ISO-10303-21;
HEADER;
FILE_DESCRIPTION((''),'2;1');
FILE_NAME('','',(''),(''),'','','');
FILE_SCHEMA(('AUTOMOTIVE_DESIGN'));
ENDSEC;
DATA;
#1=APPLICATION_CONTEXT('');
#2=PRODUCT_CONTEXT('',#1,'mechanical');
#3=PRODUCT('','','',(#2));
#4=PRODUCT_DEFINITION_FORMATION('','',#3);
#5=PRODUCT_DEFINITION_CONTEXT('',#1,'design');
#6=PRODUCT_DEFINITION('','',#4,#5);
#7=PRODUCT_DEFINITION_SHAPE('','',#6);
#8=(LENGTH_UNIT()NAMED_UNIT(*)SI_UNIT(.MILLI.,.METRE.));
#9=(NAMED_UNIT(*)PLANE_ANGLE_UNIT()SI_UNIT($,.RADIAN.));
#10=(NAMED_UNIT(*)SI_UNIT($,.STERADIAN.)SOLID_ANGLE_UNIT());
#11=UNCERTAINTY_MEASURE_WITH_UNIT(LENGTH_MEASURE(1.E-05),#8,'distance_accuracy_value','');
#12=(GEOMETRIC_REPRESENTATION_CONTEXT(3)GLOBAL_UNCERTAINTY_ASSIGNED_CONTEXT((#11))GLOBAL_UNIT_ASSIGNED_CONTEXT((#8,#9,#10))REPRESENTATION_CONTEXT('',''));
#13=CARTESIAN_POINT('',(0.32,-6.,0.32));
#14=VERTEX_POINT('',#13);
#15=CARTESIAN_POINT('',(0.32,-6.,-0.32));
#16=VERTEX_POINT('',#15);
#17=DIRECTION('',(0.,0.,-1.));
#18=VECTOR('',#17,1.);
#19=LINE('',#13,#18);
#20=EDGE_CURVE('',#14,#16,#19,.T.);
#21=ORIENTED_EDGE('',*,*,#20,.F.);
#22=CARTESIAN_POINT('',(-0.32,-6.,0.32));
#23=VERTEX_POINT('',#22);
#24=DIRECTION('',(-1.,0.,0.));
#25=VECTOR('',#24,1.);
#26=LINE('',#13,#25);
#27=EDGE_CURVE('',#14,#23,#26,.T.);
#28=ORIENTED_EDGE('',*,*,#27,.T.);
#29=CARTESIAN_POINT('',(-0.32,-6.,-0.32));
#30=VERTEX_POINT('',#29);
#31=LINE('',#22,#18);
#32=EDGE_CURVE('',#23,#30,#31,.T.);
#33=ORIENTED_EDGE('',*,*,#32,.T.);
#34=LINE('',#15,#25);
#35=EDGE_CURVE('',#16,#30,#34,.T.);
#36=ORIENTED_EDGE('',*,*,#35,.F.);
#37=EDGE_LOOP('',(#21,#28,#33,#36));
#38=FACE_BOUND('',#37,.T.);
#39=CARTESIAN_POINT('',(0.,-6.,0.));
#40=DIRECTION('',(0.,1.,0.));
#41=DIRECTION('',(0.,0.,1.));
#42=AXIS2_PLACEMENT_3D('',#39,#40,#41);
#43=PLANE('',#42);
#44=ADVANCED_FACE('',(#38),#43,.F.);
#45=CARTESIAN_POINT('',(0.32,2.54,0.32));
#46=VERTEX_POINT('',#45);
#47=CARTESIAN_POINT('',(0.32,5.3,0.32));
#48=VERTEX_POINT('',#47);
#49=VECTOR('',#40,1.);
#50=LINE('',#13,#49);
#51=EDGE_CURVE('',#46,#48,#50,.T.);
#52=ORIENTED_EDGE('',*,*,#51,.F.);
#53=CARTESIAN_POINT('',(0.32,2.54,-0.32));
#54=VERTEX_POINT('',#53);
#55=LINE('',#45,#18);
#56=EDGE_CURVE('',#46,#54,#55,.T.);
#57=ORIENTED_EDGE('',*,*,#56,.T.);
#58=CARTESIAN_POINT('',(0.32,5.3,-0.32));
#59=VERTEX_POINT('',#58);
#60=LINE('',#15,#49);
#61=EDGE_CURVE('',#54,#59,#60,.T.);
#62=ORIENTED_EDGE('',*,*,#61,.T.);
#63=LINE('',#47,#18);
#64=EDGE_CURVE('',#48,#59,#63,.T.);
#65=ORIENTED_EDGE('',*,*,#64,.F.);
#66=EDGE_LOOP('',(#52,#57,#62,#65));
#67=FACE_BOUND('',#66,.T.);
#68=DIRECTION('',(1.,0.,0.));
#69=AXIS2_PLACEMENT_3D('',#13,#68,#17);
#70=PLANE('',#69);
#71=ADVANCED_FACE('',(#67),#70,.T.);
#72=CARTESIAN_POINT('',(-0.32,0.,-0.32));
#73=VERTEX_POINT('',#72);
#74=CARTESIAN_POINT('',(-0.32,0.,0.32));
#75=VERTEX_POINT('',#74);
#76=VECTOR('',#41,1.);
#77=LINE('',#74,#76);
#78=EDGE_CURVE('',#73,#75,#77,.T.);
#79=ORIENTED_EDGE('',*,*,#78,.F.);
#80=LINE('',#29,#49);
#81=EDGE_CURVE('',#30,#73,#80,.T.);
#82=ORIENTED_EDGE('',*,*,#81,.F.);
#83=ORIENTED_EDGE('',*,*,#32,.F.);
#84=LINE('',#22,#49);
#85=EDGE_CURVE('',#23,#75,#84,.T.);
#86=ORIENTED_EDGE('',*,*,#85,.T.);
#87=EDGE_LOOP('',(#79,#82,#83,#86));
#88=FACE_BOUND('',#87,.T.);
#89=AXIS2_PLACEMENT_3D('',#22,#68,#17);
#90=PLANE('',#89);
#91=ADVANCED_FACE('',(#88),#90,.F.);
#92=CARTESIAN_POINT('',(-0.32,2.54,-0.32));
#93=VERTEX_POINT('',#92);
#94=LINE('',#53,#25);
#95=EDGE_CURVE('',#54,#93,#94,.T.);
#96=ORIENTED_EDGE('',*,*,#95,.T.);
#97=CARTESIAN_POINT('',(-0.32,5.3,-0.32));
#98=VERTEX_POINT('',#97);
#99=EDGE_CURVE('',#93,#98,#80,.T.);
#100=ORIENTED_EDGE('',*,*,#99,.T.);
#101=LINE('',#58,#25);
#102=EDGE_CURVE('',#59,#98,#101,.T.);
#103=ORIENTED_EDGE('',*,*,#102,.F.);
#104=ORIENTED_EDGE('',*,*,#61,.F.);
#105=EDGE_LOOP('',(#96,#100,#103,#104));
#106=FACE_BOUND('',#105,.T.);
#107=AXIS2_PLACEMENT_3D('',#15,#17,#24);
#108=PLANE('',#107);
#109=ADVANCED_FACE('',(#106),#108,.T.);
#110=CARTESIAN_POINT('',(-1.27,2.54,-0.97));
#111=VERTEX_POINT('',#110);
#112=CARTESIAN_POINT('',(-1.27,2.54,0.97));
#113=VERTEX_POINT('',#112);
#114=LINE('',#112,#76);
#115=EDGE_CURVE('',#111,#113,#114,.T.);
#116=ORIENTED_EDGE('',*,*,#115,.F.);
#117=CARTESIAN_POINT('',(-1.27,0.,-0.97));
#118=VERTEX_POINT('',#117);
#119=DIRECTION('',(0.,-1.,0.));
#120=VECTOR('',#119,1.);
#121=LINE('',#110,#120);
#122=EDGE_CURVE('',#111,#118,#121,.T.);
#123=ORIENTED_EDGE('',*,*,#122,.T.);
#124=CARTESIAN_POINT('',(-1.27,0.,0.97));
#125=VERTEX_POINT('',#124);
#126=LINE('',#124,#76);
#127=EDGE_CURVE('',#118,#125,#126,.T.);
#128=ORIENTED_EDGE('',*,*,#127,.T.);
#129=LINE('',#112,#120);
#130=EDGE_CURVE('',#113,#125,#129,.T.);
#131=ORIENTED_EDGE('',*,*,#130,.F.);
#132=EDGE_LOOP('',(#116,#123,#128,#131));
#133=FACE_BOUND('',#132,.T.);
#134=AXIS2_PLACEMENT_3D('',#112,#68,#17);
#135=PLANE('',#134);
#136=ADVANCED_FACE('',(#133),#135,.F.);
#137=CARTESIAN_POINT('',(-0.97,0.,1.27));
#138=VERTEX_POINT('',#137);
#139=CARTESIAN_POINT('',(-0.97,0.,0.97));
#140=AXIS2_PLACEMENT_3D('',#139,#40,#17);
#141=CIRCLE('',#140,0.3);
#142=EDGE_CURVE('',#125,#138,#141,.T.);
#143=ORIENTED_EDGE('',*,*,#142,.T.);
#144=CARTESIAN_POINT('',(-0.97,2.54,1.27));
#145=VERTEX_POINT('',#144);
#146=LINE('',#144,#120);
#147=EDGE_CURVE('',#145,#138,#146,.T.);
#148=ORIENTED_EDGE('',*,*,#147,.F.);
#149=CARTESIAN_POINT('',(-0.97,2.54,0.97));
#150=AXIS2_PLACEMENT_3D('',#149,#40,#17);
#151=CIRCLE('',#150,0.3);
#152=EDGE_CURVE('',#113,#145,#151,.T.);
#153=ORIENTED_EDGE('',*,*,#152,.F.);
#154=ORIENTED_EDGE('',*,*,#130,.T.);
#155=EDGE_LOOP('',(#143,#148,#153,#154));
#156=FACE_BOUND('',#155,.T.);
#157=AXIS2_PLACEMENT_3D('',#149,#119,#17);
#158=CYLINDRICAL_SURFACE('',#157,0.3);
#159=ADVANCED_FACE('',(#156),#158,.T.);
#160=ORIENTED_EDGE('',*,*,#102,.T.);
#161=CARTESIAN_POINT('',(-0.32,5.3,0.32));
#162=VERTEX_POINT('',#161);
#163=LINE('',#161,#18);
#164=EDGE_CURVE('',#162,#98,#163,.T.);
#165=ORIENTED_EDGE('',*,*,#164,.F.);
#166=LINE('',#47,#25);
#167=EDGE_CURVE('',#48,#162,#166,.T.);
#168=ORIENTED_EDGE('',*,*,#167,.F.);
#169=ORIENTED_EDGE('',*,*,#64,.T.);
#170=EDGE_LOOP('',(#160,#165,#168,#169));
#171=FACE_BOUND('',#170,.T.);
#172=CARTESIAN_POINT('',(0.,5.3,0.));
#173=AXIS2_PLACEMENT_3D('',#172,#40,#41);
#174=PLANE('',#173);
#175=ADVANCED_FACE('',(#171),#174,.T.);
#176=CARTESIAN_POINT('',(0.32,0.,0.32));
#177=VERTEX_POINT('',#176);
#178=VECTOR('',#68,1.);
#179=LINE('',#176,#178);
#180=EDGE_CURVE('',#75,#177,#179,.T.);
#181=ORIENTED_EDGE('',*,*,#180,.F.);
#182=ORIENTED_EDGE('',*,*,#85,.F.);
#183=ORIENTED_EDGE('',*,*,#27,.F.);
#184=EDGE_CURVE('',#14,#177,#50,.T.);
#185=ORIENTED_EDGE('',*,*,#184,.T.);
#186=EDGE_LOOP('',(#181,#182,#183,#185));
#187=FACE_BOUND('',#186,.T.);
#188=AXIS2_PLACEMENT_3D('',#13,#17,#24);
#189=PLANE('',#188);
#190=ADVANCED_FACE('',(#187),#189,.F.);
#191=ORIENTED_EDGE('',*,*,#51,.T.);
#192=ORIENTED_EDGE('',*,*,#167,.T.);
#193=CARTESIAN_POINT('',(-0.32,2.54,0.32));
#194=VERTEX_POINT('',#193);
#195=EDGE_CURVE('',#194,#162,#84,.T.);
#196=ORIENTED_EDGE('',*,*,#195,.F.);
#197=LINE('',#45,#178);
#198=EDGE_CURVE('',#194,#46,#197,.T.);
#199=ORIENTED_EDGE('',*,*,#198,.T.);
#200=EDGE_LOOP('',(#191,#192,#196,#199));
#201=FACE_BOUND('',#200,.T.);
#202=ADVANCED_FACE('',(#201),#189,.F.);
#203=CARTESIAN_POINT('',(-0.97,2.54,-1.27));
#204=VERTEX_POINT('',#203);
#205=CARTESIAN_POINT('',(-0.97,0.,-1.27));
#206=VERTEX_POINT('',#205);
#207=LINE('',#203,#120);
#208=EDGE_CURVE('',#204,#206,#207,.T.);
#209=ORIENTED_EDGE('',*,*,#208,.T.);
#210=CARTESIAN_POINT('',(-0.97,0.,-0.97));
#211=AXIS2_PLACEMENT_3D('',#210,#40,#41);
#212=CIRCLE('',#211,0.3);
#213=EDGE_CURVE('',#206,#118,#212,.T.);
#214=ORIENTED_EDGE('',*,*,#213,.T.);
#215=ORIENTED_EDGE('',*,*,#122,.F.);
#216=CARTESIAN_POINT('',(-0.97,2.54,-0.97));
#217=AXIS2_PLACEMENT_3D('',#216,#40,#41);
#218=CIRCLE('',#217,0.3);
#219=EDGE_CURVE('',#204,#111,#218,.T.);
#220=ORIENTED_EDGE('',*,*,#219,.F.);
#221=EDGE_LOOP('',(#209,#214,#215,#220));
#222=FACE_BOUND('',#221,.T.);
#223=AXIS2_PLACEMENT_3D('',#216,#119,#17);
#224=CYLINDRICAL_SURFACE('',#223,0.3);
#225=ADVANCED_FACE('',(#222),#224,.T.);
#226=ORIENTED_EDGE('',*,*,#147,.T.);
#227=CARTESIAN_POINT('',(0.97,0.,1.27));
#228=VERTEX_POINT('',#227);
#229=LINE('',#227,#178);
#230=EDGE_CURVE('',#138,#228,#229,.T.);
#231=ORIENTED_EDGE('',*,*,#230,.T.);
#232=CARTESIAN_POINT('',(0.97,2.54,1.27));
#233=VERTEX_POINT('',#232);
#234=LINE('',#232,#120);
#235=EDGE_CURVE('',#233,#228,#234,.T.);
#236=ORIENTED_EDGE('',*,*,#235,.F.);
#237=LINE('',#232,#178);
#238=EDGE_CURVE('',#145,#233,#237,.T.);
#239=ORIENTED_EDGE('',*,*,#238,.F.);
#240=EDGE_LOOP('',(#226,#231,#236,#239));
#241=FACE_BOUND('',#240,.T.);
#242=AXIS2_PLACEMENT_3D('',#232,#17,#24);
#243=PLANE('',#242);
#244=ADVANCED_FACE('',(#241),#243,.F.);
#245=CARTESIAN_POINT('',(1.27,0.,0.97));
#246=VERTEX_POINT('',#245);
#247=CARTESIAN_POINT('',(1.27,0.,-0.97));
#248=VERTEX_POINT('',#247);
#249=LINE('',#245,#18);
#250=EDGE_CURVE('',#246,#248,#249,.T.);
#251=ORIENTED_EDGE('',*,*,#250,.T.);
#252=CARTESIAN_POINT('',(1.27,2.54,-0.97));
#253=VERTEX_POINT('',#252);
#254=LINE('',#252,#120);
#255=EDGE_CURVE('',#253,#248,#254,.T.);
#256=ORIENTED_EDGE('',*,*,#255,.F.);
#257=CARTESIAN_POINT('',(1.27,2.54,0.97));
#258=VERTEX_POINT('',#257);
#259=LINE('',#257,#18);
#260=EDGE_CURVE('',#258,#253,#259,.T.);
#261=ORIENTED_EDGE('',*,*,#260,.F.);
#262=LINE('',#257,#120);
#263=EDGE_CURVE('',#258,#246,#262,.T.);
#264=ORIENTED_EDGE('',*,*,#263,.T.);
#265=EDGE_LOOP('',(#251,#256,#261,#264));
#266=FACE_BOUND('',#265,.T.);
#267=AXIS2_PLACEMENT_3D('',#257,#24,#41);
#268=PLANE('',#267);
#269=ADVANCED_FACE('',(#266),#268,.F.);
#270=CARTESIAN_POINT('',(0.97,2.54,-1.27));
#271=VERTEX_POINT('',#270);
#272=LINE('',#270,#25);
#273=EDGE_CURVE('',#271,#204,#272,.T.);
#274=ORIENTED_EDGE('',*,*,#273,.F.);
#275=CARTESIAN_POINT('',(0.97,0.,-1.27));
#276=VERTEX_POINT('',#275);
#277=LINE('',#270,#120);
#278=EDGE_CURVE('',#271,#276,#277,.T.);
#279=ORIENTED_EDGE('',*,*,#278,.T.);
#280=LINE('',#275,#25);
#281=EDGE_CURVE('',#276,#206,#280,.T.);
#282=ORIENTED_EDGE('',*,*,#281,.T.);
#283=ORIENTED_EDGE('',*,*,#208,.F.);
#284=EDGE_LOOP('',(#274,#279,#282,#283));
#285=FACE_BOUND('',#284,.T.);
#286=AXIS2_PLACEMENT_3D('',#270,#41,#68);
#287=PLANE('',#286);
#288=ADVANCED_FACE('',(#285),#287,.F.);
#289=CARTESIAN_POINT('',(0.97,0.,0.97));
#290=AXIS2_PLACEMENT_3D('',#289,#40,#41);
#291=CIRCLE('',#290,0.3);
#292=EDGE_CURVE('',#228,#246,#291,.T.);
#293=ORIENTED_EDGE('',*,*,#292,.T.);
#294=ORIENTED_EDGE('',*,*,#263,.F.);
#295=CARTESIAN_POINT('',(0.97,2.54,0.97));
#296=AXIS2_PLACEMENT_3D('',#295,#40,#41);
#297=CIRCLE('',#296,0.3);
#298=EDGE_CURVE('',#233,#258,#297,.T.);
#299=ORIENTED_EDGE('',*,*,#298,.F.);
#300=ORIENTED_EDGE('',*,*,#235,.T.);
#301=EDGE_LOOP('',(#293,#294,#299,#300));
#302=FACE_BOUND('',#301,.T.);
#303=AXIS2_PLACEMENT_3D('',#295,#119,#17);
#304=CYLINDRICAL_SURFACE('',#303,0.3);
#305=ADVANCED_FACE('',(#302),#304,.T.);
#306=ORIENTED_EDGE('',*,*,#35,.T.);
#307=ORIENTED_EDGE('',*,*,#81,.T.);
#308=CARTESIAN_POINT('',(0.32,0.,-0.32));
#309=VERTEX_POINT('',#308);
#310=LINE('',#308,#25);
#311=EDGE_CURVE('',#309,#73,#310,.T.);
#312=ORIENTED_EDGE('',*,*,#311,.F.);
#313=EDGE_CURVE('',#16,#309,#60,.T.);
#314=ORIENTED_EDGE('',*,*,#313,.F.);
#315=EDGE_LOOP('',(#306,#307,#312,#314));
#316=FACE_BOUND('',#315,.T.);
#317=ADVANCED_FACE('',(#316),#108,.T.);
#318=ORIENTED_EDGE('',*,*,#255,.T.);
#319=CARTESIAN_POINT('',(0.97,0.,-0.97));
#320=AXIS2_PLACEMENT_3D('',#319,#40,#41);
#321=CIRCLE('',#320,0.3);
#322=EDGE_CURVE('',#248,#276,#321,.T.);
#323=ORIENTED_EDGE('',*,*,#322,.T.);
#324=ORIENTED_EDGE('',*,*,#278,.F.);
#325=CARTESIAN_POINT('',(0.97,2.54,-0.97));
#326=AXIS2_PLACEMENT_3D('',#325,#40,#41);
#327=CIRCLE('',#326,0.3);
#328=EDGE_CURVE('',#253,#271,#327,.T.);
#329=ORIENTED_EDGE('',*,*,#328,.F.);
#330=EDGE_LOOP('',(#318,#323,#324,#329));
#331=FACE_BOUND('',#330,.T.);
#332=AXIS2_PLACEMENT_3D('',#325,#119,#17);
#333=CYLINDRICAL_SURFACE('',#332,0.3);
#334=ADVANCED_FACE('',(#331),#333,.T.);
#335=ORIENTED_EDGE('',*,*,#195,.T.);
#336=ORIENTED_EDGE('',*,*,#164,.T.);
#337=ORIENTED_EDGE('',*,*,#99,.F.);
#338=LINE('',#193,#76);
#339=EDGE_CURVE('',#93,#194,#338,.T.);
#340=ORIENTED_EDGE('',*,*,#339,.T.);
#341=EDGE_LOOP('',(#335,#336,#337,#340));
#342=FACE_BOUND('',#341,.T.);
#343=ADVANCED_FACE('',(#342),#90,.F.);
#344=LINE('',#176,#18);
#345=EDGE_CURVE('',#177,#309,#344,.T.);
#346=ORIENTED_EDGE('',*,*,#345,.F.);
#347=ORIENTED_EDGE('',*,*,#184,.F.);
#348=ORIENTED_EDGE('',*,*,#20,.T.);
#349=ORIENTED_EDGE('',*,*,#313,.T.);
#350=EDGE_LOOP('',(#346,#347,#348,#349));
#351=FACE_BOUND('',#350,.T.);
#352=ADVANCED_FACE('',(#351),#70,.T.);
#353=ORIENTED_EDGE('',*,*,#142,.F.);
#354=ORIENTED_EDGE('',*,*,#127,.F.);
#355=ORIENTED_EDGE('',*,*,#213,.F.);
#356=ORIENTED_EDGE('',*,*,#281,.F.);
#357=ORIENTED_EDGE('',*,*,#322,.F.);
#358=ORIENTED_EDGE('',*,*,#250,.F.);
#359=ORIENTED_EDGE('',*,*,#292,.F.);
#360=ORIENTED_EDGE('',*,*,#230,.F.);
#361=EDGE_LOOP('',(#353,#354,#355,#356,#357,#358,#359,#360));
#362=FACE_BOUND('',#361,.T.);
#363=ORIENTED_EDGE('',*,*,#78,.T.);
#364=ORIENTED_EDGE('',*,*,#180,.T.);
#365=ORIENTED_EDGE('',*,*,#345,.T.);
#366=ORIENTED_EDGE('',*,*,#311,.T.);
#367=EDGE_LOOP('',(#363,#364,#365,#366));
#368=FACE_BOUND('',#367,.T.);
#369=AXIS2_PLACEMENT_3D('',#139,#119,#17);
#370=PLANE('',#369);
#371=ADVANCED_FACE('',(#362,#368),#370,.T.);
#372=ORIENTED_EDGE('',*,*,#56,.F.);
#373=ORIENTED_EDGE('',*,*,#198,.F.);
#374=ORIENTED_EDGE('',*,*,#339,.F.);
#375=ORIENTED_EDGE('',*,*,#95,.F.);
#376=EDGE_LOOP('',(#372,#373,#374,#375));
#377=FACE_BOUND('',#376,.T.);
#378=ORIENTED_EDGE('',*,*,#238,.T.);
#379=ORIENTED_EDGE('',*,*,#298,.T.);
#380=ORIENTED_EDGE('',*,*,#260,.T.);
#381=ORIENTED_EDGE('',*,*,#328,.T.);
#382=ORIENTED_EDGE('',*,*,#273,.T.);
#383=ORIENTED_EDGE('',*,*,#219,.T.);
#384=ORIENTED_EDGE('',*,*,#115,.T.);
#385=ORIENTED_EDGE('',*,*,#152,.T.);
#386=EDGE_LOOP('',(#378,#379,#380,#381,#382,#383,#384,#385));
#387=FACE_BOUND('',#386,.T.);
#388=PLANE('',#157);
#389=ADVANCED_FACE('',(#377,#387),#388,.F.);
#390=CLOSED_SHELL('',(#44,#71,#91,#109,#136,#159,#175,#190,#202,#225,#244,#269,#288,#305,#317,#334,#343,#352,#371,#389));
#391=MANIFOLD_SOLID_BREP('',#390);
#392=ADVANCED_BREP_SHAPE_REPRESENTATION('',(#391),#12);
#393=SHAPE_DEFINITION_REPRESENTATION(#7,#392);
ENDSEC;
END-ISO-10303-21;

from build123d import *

# Parameters (mm, degrees)
SKETCH_1_W           = 0.64
SKETCH_1_H           = 0.64
EXTRUDE_1_DEPTH      = 2.54
EXTRUDE_2_DEPTH      = 5.3
EXTRUDE_2_DEPTH_BACK = 6
SKETCH_1_2_W         = 0.64
SKETCH_1_2_H         = 0.64


with BuildPart() as part:
    # Эскиз1 → Бобышка-Вытянуть1 (new body)
    with BuildSketch(Plane(origin=(0, 0, 0), x_dir=(1, 0, 0), z_dir=(0, 1, 0))):
        with BuildLine():
            Line((0.97, -1.27), (-0.97, -1.27))
            ThreePointArc((-0.97, -1.27), (-1.182132034, -1.182132034), (-1.27, -0.97))
            Line((-1.27, -0.97), (-1.27, 0.97))
            ThreePointArc((-1.27, 0.97), (-1.182132034, 1.182132034), (-0.97, 1.27))
            Line((-0.97, 1.27), (0.97, 1.27))
            ThreePointArc((0.97, 1.27), (1.182132034, 1.182132034), (1.27, 0.97))
            Line((1.27, 0.97), (1.27, -0.97))
            ThreePointArc((1.27, -0.97), (1.182132034, -1.182132034), (0.97, -1.27))
        make_face()
        Rectangle(SKETCH_1_W, SKETCH_1_H, mode=Mode.SUBTRACT)
    extrude(amount=EXTRUDE_1_DEPTH)

    # Эскиз1<2> → Бобышка-Вытянуть2 (add, two sides: drawn at the far end of the back side and taken through both)
    with BuildSketch(Plane(origin=(0, 0, 0), x_dir=(1, 0, 0), z_dir=(0, 1, 0)).offset(-EXTRUDE_2_DEPTH_BACK)):
        Rectangle(SKETCH_1_2_W, SKETCH_1_2_H)
    extrude(amount=EXTRUDE_2_DEPTH + EXTRUDE_2_DEPTH_BACK)


solid = part.part
